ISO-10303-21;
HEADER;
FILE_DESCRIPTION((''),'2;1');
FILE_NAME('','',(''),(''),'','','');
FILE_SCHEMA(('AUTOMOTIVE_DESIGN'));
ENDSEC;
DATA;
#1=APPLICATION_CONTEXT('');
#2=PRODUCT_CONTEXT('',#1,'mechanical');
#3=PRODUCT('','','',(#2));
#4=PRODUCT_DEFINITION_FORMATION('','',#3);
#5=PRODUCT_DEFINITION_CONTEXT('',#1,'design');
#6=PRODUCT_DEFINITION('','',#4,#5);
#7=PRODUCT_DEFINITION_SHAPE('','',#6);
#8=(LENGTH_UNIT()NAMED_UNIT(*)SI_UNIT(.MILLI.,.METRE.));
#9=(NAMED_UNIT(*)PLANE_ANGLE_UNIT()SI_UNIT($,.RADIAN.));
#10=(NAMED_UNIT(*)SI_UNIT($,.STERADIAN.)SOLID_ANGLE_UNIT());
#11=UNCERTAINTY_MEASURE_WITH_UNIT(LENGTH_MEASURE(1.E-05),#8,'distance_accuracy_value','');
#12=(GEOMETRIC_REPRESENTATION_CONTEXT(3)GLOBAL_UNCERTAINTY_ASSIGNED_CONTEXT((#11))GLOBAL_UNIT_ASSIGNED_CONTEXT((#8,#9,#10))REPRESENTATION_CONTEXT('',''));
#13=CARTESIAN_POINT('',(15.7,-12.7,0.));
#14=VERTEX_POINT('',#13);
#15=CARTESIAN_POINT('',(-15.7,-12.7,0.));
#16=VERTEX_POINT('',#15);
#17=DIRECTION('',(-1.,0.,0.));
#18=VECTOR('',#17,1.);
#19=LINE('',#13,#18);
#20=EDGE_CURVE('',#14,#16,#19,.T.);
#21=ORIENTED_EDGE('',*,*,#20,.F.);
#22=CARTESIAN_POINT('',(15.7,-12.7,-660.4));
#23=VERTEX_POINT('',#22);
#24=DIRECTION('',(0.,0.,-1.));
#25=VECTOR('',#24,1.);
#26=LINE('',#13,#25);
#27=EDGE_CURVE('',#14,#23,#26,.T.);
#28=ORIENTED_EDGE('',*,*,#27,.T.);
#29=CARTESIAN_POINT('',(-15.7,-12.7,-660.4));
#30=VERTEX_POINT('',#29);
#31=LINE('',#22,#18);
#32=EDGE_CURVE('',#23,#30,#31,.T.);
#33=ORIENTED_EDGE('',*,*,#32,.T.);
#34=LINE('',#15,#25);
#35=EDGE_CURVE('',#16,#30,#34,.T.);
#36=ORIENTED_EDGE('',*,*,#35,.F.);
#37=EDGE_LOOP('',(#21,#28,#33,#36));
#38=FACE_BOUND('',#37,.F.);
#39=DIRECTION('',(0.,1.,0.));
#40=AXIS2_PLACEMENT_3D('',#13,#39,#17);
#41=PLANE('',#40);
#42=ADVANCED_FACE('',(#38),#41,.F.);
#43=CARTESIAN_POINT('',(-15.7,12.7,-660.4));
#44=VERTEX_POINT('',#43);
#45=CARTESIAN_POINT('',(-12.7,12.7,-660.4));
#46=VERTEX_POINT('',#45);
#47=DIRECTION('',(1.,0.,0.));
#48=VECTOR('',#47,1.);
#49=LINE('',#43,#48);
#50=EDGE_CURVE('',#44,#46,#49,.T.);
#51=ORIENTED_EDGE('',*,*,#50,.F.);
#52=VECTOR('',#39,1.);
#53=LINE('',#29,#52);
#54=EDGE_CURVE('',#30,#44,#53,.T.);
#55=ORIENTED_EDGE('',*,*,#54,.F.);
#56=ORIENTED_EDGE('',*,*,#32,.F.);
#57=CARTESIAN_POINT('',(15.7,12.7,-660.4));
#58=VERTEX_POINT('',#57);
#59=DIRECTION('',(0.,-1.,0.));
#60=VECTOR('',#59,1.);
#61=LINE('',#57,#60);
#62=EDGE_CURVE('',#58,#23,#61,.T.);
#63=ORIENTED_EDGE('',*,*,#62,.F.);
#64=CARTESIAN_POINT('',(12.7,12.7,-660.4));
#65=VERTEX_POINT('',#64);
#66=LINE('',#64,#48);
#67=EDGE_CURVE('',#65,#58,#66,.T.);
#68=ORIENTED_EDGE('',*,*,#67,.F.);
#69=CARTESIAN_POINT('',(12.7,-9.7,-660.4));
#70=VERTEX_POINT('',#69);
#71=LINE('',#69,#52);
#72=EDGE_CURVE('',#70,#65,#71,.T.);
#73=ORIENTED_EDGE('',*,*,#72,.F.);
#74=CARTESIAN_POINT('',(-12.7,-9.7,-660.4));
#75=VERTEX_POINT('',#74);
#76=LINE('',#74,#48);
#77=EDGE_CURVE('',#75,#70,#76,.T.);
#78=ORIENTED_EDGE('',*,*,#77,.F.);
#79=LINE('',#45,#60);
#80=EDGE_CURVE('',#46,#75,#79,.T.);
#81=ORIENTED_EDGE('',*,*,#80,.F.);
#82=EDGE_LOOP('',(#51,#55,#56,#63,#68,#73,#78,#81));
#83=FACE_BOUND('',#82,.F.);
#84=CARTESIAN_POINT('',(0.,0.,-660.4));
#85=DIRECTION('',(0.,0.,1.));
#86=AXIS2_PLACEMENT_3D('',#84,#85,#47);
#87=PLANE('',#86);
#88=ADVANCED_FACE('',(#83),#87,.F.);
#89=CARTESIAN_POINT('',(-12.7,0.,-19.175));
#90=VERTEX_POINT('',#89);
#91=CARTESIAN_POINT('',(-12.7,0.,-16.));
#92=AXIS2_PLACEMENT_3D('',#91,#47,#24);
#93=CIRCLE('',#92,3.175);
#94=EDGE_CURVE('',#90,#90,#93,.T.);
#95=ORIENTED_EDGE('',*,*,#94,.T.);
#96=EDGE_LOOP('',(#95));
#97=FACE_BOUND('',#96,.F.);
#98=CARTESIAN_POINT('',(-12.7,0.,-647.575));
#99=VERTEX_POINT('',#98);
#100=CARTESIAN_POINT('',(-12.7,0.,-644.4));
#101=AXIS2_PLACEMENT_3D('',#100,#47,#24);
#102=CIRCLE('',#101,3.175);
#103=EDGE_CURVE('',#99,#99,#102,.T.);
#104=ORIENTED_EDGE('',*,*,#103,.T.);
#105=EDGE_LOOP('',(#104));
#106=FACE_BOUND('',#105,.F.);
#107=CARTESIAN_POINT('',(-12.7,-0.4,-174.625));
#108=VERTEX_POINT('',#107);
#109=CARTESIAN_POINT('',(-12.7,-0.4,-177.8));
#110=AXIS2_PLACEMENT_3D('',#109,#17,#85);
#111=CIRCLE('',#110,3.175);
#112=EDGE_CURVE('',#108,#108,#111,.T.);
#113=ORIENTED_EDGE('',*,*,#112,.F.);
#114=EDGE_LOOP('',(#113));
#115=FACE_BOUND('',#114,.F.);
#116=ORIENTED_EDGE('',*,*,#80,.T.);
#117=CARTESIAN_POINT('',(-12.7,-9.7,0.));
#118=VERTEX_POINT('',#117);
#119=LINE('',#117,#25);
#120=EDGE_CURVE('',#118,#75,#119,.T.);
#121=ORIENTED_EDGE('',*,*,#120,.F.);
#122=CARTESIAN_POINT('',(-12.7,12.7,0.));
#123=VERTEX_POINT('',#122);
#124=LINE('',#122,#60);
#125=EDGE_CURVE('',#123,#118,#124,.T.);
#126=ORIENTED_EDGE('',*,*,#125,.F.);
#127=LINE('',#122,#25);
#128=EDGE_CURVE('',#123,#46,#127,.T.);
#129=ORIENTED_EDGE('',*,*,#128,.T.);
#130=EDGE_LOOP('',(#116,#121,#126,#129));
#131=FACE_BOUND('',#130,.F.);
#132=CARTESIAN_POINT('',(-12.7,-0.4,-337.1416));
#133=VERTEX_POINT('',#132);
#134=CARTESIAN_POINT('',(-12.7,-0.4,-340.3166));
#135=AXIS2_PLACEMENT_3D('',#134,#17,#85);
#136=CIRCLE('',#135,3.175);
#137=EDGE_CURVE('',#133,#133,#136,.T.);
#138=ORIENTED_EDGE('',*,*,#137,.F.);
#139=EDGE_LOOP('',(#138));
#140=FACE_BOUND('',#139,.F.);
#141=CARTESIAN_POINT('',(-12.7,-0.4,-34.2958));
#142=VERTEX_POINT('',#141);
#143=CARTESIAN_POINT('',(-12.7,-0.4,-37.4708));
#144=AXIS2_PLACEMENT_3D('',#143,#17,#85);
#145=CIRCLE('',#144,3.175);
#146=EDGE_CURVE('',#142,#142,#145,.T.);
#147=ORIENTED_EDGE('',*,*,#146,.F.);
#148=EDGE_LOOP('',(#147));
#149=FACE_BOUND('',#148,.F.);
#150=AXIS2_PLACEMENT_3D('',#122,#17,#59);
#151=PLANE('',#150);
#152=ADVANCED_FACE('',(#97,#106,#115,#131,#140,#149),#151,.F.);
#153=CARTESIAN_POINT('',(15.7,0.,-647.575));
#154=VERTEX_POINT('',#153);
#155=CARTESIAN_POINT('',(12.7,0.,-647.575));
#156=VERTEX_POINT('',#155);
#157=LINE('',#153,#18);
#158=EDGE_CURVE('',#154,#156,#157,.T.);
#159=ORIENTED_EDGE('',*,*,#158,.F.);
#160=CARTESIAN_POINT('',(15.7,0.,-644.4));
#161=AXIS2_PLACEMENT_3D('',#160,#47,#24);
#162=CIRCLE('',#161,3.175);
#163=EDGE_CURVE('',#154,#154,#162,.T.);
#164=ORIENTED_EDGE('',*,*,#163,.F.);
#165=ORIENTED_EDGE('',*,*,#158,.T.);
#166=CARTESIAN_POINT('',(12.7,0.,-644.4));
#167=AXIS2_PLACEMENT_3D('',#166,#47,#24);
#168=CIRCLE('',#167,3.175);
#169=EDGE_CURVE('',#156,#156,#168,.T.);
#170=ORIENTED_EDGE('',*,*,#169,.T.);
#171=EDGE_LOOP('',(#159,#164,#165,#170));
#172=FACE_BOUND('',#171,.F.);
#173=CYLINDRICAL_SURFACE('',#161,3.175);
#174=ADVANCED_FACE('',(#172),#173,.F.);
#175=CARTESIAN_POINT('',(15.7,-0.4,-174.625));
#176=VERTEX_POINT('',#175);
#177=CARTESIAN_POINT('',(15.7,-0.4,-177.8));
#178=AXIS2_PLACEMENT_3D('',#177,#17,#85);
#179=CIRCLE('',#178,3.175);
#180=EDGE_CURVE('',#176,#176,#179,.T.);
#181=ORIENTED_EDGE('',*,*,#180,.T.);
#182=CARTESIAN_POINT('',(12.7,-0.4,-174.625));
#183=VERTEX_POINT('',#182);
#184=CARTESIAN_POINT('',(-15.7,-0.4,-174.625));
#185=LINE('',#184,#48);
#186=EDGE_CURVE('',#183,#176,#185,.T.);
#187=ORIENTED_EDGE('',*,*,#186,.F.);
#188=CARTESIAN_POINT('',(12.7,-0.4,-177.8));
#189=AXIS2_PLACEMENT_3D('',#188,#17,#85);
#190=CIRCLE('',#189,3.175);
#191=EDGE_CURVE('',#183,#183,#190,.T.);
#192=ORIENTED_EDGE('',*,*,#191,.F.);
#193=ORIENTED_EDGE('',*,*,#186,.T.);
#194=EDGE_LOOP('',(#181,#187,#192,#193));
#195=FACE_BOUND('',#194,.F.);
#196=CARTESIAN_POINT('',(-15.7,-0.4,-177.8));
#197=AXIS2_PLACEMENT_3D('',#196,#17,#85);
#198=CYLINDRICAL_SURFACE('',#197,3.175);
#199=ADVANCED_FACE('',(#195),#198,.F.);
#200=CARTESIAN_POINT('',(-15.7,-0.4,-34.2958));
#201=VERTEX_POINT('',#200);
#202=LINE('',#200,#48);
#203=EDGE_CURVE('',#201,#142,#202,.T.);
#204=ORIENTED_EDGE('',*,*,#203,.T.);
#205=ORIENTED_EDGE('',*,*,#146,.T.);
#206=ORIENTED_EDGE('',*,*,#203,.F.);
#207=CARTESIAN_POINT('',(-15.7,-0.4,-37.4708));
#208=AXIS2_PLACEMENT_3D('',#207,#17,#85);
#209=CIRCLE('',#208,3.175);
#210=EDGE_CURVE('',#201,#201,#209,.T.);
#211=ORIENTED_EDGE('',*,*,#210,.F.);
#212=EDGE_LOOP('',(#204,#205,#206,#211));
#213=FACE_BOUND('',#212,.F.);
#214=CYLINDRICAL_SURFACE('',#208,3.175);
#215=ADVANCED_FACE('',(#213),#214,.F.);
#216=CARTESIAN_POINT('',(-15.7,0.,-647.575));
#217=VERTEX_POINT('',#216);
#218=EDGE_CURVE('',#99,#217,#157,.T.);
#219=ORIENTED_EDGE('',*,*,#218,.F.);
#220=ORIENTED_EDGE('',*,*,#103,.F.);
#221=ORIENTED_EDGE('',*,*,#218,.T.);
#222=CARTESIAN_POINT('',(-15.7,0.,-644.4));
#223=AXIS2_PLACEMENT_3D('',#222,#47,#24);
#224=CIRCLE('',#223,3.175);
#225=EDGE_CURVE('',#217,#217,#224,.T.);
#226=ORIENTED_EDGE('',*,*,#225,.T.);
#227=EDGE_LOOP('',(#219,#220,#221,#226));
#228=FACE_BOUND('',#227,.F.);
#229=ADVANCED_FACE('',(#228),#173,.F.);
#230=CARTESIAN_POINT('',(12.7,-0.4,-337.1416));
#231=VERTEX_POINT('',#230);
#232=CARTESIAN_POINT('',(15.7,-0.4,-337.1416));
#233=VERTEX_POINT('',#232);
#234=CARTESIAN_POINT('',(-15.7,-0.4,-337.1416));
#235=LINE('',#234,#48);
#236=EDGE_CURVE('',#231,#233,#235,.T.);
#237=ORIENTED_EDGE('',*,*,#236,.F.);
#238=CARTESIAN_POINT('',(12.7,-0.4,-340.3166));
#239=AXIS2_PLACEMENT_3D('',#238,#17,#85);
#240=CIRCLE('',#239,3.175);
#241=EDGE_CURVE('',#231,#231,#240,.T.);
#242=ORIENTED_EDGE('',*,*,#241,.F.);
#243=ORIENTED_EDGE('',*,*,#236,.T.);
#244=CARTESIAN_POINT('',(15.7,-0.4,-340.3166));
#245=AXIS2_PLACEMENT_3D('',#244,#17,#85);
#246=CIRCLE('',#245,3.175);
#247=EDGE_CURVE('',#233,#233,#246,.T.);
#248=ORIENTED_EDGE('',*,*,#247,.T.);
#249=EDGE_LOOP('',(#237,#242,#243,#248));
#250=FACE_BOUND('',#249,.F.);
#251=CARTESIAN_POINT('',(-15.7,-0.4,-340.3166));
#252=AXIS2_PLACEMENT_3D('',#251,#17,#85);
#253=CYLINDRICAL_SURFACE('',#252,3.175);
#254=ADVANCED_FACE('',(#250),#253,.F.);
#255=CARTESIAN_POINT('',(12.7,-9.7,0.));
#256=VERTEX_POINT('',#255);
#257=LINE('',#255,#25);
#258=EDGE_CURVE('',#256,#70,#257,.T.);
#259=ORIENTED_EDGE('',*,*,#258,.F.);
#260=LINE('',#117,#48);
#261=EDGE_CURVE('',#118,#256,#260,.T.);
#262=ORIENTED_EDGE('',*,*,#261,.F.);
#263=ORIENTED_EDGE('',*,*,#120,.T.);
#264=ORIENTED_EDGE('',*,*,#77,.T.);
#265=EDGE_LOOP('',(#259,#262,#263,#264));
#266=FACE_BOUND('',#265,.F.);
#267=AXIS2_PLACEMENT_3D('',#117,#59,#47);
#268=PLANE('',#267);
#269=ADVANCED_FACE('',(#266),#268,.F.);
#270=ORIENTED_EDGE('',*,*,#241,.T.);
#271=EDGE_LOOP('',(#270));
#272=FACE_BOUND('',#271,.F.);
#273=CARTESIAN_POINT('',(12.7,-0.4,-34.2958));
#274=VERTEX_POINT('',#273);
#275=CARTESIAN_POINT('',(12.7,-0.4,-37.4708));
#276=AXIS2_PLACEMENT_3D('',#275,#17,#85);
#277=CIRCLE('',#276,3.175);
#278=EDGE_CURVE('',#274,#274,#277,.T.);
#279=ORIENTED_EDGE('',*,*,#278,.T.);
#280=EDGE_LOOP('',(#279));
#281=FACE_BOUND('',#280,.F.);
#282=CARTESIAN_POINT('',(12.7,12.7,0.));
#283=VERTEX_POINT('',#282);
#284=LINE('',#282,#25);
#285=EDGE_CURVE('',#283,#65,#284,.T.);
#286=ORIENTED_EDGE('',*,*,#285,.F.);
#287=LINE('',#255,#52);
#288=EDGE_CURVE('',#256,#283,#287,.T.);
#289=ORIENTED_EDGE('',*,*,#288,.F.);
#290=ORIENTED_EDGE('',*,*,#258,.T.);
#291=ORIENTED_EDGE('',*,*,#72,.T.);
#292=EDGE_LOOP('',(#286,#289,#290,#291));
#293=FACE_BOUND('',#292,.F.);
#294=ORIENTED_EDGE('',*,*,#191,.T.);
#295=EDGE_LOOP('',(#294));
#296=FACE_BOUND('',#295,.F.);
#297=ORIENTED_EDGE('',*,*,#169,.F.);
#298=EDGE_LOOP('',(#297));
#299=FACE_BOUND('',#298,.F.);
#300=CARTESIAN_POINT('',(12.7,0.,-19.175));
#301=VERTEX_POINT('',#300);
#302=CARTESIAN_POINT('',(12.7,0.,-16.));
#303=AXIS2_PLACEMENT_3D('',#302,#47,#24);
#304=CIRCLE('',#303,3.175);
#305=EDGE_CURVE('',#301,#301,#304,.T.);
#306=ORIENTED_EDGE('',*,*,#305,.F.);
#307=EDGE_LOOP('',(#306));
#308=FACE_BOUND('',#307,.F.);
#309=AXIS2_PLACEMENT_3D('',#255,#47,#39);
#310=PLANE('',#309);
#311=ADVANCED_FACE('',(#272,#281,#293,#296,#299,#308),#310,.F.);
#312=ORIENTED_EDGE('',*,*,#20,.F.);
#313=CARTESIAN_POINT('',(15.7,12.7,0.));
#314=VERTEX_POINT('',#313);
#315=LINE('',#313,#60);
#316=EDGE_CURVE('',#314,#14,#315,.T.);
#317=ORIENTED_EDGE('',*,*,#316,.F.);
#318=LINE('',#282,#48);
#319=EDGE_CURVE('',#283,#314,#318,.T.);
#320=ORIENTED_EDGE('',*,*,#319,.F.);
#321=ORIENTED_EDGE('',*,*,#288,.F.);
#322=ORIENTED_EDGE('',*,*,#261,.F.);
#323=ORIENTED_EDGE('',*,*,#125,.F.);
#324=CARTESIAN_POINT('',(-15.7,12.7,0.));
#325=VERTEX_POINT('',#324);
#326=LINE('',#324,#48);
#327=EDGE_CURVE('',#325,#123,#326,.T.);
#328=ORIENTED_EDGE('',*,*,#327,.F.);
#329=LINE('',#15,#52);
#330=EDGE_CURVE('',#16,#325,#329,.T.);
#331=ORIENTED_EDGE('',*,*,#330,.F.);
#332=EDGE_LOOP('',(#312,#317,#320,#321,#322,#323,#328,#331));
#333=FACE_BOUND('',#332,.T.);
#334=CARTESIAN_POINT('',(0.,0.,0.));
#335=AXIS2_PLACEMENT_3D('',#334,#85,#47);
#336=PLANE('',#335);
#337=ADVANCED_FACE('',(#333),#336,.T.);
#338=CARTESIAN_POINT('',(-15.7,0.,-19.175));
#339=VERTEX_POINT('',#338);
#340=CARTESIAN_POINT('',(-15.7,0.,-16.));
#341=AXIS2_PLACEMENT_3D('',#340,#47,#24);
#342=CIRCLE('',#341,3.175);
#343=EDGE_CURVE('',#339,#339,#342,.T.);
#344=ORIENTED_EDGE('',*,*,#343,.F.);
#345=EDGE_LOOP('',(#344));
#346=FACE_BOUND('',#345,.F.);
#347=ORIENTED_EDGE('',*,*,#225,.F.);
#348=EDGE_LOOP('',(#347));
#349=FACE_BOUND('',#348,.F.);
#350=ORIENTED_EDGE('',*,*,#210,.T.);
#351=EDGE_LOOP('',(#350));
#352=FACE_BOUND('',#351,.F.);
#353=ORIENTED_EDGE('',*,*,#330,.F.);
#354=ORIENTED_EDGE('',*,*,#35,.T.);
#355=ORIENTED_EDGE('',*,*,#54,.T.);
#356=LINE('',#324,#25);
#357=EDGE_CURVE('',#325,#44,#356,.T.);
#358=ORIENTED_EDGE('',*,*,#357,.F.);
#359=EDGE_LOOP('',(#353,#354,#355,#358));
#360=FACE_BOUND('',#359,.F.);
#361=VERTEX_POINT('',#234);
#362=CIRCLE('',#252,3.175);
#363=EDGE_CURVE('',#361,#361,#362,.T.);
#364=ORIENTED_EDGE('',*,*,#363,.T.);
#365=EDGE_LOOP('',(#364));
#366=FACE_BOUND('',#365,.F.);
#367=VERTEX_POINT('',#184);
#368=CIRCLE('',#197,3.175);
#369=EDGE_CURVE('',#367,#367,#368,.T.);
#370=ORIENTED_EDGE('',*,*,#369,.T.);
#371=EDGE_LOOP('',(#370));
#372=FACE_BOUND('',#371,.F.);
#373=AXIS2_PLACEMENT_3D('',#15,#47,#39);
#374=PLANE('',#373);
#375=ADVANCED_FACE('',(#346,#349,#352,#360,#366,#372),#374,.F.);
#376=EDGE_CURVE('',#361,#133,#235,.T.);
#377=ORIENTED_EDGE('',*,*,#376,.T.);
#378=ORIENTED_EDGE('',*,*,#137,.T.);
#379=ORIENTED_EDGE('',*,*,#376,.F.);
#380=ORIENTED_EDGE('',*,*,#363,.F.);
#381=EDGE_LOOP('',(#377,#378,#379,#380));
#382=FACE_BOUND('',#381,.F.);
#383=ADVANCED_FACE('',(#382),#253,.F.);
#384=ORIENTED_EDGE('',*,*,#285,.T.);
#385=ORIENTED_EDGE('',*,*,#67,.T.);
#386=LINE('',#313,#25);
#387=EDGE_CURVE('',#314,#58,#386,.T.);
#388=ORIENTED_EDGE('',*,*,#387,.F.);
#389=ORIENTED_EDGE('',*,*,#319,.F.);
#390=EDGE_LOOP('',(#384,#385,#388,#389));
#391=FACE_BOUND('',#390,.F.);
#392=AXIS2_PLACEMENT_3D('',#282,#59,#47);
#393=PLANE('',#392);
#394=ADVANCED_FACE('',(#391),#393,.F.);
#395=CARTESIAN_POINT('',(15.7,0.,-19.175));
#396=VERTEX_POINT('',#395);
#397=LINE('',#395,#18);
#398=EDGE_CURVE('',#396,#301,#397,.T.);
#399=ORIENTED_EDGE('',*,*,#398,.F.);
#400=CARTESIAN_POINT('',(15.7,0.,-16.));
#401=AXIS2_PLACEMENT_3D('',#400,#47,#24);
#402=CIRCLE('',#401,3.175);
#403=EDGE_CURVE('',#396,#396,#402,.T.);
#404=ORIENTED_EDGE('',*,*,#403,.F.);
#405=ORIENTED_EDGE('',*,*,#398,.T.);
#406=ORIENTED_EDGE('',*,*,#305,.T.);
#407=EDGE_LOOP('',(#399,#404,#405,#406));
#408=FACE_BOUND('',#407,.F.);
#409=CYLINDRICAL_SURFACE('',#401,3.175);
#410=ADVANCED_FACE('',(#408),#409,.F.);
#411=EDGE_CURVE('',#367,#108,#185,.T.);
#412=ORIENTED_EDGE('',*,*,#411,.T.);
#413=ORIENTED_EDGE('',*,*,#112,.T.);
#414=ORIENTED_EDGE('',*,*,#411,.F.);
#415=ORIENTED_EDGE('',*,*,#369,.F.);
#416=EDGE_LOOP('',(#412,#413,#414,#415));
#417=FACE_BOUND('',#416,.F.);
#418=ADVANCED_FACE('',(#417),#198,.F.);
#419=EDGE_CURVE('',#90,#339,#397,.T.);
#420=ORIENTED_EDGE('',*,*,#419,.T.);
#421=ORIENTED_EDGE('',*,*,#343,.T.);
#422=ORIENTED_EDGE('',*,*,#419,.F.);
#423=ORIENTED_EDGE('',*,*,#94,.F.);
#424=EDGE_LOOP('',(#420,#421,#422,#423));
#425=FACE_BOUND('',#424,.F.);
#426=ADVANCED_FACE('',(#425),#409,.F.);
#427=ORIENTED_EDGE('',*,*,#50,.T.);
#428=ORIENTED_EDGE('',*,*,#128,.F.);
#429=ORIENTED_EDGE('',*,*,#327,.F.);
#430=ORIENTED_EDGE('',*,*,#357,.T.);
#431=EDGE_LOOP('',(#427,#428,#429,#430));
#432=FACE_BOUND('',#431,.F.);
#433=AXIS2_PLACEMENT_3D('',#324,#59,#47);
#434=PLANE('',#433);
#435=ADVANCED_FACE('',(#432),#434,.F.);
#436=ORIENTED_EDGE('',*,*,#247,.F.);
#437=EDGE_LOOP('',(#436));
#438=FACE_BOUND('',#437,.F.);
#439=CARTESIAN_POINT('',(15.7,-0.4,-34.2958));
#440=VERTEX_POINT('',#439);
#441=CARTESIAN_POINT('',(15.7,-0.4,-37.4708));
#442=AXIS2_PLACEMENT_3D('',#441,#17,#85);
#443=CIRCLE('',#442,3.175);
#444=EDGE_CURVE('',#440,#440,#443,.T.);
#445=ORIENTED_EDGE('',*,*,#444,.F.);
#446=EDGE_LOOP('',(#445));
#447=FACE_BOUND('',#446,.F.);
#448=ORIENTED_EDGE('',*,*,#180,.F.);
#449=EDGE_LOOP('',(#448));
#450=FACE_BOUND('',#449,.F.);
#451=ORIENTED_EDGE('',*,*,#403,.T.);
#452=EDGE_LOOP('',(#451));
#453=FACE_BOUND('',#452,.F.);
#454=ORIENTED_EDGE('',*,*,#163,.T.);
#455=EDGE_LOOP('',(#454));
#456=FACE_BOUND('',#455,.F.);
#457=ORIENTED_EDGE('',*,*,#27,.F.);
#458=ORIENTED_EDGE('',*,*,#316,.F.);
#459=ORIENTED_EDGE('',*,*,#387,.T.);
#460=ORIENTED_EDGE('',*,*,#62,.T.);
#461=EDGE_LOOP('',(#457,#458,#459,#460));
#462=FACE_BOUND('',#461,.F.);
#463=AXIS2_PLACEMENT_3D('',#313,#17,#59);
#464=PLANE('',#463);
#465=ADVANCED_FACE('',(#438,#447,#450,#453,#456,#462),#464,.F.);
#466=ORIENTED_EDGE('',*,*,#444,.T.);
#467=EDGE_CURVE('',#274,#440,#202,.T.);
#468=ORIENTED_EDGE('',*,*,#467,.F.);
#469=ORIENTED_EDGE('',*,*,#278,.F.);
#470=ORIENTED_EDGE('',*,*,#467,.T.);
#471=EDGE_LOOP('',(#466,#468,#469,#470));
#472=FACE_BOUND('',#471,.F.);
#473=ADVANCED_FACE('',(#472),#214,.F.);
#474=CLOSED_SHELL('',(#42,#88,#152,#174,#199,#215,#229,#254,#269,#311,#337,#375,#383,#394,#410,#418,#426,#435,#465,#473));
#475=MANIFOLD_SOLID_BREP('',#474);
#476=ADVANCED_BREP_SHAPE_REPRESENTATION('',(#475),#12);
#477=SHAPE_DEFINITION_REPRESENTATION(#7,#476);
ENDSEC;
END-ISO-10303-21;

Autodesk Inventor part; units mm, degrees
ref_plane "YZ Plane" through (0, 0, 0) normal (1, 0, 0) x (0, 1, 0)
ref_plane "XZ Plane" through (0, 0, 0) normal (0, 1, 0) x (-1, 0, 0)
ref_plane "XY Plane" through (0, 0, 0) normal (0, 0, 1) x (1, 0, 0)
sketch "Sketch1" plane through (0, 0, 0) normal (0, 0, 1) x (1, 0, 0)
  line L0 (-15.7, 12.7) -> (-12.7, 12.7)
  line L1 (-12.7, 12.7) -> (-12.7, -9.7)
  line L2 (-12.7, -9.7) -> (12.7, -9.7)
  line L3 (12.7, -9.7) -> (12.7, 12.7)
  line L4 (12.7, 12.7) -> (15.7, 12.7)
  line L5 (15.7, 12.7) -> (15.7, -12.7)
  line L6 (15.7, -12.7) -> (-15.7, -12.7)
  line L7 (-15.7, -12.7) -> (-15.7, 12.7)
  point P0 (0, 0)
  dimension "d0" = 3
  dimension "d2" = 3
  dimension "d3" = 25.4
  dimension "d4" = 31.4
  dimension "d5" = 15.7
  dimension "d7" = 12.7
  dimension "d8" = 3
extrude "Extrusion1" add sketch "Sketch1" against normal blind 660.4
sketch "Sketch5" plane through (15.7, -12.7, 0) normal (1, 0, 0) x (0, 0, -1)
  circle A0 centre (16, 12.7) radius 3.175
  circle A1 centre (644.4, 12.7) radius 3.175
  line L0 (0, 25.4) -> (0, 0) projected
  line L1 (660.4, 25.4) -> (660.4, 0) projected
  line L2 (0, 25.4) -> (660.4, 25.4) projected
  point P0 (0, 12.7)
  dimension "d56" = 6.35
  dimension "d65" = 6.35
  dimension "d70" = 16
  dimension "d71" = 25.4
  dimension "d72" = 12.7
  dimension "d73" = 16
extrude "Extrusion5" cut sketch "Sketch5" against normal blind 76.2
sketch "Sketch6" plane through (-15.7, -12.7, 0) normal (-1, 0, 0) x (0, 0, 1)
  circle A0 centre (-37.4708, 12.3) radius 3.175
  circle A1 centre (-177.8, 12.3) radius 3.175
  circle A2 centre (-340.3166, 12.3) radius 3.175
  point P0 (0, 12.7)
extrude "Extrusion6" cut sketch "Sketch6" against normal blind 50.8
equation "\"d2\" = d0"
equation "\"d5\" = 0.5 * d4"
equation "\"d7\" = 0.5 * d3"
equation "\"d8\" = d0"
equation "\"d65\" = d64"
equation "\"d72\" = 0.5 * d71"
equation "\"d73\" = d70"
equation "\"d58\" = d56"
equation "\"d59\" = d58"
equation "\"d60\" = d59"
equation "\"d61\" = d60"
equation "\"d62\" = d61"
equation "\"d63\" = d62"
equation "\"d64\" = d63"
properties part number "26in C-Channel Right" material "Aluminum 6061"
